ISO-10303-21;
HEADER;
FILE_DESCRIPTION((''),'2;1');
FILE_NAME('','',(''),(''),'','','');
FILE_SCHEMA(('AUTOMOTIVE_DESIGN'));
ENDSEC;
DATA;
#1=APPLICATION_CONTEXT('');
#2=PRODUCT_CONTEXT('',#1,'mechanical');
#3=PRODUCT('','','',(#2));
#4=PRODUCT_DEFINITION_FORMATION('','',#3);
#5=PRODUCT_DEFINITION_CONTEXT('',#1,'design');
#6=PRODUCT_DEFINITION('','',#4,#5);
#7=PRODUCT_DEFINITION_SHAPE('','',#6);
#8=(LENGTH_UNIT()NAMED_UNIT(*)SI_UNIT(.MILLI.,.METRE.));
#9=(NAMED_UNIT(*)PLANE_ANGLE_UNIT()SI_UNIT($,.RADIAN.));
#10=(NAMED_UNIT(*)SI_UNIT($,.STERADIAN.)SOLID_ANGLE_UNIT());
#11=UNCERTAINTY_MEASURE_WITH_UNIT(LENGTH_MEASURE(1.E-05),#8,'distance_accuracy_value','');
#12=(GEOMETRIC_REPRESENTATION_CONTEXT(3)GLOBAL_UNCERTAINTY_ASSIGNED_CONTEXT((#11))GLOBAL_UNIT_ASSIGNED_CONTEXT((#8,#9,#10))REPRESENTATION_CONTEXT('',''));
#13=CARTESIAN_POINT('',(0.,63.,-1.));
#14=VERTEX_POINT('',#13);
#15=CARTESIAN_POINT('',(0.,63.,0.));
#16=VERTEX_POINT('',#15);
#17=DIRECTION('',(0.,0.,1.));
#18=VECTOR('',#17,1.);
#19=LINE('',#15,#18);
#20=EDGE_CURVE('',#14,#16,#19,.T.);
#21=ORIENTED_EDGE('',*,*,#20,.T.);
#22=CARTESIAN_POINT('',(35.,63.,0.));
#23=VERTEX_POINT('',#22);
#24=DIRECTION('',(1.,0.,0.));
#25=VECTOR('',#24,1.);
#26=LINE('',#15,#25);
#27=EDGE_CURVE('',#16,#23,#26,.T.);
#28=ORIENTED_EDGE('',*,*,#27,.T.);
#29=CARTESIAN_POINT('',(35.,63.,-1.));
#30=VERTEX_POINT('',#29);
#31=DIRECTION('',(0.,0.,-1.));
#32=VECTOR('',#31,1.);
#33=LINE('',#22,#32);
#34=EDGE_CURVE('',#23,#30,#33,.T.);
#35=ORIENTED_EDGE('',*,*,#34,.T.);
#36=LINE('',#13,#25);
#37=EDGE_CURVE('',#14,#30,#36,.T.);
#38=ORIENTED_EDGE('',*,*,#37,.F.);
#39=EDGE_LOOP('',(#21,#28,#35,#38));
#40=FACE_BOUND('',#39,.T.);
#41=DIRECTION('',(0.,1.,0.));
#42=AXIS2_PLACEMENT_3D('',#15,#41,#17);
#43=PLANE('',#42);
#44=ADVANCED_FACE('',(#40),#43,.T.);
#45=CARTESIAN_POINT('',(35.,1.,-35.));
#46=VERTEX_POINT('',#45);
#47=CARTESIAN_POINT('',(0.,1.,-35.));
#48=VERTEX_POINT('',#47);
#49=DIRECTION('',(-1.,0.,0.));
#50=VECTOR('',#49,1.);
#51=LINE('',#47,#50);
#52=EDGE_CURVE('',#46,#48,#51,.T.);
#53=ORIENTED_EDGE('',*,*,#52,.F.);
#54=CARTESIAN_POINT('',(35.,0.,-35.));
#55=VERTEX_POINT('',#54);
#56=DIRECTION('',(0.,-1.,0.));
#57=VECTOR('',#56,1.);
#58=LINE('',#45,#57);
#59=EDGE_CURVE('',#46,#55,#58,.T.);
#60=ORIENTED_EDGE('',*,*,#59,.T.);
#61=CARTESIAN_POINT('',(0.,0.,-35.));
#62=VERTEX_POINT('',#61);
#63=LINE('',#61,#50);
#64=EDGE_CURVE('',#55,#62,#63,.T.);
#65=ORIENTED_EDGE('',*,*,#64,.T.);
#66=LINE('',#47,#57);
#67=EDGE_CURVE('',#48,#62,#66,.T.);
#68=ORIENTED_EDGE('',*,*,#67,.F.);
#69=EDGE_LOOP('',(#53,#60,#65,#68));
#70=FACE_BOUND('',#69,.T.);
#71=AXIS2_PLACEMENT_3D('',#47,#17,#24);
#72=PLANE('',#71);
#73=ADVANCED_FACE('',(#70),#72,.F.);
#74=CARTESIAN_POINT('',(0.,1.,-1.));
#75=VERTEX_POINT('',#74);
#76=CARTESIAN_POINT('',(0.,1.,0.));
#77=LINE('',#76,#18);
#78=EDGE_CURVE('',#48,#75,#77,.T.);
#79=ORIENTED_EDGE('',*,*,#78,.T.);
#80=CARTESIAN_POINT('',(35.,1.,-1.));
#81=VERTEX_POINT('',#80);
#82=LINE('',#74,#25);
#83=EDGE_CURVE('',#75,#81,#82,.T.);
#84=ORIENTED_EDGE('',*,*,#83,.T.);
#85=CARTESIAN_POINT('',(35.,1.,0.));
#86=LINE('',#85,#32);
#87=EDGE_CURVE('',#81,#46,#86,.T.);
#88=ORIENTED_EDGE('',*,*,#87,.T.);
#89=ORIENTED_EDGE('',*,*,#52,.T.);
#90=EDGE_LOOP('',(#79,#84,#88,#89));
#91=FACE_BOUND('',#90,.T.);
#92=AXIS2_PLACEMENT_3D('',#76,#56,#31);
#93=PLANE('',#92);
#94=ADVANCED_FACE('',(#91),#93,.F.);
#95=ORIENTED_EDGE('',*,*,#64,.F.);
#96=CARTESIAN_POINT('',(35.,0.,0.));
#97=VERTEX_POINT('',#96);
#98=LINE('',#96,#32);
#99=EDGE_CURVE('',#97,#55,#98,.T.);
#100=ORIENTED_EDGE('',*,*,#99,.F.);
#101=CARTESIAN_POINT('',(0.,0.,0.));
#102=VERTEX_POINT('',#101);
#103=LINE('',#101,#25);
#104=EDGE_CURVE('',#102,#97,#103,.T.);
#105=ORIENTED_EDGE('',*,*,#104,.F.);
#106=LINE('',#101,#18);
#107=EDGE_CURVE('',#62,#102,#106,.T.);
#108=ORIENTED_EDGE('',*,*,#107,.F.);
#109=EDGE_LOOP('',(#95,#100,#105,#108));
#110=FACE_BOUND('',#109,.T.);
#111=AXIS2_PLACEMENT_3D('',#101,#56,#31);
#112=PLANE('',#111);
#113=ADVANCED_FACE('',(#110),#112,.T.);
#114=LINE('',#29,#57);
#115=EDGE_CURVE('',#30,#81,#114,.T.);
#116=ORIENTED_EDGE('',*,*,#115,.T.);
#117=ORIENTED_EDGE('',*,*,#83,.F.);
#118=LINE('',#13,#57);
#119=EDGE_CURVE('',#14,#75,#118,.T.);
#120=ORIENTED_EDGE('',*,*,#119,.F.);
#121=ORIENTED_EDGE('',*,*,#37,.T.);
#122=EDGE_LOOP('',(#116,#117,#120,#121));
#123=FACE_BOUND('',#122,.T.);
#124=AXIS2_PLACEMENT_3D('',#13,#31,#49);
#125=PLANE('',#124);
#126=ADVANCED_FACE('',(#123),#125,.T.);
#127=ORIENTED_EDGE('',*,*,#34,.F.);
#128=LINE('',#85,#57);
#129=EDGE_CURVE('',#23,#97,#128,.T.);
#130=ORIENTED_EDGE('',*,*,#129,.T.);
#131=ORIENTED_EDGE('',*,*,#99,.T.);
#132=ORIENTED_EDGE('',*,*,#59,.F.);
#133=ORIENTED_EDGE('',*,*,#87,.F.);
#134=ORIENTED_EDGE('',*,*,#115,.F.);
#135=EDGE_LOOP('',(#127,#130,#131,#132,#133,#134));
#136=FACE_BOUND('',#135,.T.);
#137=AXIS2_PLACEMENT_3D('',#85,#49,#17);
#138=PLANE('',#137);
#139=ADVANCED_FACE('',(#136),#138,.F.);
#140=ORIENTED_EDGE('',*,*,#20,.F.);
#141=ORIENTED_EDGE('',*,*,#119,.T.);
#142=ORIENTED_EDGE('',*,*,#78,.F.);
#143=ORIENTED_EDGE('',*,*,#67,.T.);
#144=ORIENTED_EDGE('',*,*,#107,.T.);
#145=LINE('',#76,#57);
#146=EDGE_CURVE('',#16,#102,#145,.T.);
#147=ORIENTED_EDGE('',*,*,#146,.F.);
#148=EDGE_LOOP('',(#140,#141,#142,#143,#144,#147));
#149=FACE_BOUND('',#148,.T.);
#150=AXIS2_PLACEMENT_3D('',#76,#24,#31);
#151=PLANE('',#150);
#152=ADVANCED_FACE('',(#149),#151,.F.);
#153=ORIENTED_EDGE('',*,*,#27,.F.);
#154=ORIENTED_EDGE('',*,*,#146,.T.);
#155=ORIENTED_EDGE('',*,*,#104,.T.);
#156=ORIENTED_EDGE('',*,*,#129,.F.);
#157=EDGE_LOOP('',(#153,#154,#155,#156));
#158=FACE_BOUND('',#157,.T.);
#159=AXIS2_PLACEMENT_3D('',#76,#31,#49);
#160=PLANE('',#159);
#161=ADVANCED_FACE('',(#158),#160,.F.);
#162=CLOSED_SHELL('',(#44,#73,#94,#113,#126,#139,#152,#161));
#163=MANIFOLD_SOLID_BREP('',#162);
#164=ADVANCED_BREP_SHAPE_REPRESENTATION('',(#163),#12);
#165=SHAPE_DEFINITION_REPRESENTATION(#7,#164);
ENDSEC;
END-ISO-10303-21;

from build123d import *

# Parameters (mm, degrees)
SKETCH1_W           = 35
SKETCH1_H           = 35
BOSS_EXTRUDE1_DEPTH = 1
SKETCH2_W           = 35
SKETCH2_H           = 1
BOSS_EXTRUDE2_DEPTH = 62


with BuildPart() as part:
    # Sketch1 → Boss-Extrude1 (new body)
    with BuildSketch(Plane(origin=(0, 0, 0), x_dir=(1, 0, 0), z_dir=(0, 1, 0))):
        with Locations((17.5, 17.5)):
            Rectangle(SKETCH1_W, SKETCH1_H)
    extrude(amount=BOSS_EXTRUDE1_DEPTH)

    # Sketch2 → Boss-Extrude2 (add)
    with BuildSketch(Plane(origin=(0, 1, 0), x_dir=(1, 0, 0), z_dir=(0, 1, 0))):
        with Locations((17.5, 0.5)):
            Rectangle(SKETCH2_W, SKETCH2_H)
    extrude(amount=BOSS_EXTRUDE2_DEPTH)


solid = part.part
